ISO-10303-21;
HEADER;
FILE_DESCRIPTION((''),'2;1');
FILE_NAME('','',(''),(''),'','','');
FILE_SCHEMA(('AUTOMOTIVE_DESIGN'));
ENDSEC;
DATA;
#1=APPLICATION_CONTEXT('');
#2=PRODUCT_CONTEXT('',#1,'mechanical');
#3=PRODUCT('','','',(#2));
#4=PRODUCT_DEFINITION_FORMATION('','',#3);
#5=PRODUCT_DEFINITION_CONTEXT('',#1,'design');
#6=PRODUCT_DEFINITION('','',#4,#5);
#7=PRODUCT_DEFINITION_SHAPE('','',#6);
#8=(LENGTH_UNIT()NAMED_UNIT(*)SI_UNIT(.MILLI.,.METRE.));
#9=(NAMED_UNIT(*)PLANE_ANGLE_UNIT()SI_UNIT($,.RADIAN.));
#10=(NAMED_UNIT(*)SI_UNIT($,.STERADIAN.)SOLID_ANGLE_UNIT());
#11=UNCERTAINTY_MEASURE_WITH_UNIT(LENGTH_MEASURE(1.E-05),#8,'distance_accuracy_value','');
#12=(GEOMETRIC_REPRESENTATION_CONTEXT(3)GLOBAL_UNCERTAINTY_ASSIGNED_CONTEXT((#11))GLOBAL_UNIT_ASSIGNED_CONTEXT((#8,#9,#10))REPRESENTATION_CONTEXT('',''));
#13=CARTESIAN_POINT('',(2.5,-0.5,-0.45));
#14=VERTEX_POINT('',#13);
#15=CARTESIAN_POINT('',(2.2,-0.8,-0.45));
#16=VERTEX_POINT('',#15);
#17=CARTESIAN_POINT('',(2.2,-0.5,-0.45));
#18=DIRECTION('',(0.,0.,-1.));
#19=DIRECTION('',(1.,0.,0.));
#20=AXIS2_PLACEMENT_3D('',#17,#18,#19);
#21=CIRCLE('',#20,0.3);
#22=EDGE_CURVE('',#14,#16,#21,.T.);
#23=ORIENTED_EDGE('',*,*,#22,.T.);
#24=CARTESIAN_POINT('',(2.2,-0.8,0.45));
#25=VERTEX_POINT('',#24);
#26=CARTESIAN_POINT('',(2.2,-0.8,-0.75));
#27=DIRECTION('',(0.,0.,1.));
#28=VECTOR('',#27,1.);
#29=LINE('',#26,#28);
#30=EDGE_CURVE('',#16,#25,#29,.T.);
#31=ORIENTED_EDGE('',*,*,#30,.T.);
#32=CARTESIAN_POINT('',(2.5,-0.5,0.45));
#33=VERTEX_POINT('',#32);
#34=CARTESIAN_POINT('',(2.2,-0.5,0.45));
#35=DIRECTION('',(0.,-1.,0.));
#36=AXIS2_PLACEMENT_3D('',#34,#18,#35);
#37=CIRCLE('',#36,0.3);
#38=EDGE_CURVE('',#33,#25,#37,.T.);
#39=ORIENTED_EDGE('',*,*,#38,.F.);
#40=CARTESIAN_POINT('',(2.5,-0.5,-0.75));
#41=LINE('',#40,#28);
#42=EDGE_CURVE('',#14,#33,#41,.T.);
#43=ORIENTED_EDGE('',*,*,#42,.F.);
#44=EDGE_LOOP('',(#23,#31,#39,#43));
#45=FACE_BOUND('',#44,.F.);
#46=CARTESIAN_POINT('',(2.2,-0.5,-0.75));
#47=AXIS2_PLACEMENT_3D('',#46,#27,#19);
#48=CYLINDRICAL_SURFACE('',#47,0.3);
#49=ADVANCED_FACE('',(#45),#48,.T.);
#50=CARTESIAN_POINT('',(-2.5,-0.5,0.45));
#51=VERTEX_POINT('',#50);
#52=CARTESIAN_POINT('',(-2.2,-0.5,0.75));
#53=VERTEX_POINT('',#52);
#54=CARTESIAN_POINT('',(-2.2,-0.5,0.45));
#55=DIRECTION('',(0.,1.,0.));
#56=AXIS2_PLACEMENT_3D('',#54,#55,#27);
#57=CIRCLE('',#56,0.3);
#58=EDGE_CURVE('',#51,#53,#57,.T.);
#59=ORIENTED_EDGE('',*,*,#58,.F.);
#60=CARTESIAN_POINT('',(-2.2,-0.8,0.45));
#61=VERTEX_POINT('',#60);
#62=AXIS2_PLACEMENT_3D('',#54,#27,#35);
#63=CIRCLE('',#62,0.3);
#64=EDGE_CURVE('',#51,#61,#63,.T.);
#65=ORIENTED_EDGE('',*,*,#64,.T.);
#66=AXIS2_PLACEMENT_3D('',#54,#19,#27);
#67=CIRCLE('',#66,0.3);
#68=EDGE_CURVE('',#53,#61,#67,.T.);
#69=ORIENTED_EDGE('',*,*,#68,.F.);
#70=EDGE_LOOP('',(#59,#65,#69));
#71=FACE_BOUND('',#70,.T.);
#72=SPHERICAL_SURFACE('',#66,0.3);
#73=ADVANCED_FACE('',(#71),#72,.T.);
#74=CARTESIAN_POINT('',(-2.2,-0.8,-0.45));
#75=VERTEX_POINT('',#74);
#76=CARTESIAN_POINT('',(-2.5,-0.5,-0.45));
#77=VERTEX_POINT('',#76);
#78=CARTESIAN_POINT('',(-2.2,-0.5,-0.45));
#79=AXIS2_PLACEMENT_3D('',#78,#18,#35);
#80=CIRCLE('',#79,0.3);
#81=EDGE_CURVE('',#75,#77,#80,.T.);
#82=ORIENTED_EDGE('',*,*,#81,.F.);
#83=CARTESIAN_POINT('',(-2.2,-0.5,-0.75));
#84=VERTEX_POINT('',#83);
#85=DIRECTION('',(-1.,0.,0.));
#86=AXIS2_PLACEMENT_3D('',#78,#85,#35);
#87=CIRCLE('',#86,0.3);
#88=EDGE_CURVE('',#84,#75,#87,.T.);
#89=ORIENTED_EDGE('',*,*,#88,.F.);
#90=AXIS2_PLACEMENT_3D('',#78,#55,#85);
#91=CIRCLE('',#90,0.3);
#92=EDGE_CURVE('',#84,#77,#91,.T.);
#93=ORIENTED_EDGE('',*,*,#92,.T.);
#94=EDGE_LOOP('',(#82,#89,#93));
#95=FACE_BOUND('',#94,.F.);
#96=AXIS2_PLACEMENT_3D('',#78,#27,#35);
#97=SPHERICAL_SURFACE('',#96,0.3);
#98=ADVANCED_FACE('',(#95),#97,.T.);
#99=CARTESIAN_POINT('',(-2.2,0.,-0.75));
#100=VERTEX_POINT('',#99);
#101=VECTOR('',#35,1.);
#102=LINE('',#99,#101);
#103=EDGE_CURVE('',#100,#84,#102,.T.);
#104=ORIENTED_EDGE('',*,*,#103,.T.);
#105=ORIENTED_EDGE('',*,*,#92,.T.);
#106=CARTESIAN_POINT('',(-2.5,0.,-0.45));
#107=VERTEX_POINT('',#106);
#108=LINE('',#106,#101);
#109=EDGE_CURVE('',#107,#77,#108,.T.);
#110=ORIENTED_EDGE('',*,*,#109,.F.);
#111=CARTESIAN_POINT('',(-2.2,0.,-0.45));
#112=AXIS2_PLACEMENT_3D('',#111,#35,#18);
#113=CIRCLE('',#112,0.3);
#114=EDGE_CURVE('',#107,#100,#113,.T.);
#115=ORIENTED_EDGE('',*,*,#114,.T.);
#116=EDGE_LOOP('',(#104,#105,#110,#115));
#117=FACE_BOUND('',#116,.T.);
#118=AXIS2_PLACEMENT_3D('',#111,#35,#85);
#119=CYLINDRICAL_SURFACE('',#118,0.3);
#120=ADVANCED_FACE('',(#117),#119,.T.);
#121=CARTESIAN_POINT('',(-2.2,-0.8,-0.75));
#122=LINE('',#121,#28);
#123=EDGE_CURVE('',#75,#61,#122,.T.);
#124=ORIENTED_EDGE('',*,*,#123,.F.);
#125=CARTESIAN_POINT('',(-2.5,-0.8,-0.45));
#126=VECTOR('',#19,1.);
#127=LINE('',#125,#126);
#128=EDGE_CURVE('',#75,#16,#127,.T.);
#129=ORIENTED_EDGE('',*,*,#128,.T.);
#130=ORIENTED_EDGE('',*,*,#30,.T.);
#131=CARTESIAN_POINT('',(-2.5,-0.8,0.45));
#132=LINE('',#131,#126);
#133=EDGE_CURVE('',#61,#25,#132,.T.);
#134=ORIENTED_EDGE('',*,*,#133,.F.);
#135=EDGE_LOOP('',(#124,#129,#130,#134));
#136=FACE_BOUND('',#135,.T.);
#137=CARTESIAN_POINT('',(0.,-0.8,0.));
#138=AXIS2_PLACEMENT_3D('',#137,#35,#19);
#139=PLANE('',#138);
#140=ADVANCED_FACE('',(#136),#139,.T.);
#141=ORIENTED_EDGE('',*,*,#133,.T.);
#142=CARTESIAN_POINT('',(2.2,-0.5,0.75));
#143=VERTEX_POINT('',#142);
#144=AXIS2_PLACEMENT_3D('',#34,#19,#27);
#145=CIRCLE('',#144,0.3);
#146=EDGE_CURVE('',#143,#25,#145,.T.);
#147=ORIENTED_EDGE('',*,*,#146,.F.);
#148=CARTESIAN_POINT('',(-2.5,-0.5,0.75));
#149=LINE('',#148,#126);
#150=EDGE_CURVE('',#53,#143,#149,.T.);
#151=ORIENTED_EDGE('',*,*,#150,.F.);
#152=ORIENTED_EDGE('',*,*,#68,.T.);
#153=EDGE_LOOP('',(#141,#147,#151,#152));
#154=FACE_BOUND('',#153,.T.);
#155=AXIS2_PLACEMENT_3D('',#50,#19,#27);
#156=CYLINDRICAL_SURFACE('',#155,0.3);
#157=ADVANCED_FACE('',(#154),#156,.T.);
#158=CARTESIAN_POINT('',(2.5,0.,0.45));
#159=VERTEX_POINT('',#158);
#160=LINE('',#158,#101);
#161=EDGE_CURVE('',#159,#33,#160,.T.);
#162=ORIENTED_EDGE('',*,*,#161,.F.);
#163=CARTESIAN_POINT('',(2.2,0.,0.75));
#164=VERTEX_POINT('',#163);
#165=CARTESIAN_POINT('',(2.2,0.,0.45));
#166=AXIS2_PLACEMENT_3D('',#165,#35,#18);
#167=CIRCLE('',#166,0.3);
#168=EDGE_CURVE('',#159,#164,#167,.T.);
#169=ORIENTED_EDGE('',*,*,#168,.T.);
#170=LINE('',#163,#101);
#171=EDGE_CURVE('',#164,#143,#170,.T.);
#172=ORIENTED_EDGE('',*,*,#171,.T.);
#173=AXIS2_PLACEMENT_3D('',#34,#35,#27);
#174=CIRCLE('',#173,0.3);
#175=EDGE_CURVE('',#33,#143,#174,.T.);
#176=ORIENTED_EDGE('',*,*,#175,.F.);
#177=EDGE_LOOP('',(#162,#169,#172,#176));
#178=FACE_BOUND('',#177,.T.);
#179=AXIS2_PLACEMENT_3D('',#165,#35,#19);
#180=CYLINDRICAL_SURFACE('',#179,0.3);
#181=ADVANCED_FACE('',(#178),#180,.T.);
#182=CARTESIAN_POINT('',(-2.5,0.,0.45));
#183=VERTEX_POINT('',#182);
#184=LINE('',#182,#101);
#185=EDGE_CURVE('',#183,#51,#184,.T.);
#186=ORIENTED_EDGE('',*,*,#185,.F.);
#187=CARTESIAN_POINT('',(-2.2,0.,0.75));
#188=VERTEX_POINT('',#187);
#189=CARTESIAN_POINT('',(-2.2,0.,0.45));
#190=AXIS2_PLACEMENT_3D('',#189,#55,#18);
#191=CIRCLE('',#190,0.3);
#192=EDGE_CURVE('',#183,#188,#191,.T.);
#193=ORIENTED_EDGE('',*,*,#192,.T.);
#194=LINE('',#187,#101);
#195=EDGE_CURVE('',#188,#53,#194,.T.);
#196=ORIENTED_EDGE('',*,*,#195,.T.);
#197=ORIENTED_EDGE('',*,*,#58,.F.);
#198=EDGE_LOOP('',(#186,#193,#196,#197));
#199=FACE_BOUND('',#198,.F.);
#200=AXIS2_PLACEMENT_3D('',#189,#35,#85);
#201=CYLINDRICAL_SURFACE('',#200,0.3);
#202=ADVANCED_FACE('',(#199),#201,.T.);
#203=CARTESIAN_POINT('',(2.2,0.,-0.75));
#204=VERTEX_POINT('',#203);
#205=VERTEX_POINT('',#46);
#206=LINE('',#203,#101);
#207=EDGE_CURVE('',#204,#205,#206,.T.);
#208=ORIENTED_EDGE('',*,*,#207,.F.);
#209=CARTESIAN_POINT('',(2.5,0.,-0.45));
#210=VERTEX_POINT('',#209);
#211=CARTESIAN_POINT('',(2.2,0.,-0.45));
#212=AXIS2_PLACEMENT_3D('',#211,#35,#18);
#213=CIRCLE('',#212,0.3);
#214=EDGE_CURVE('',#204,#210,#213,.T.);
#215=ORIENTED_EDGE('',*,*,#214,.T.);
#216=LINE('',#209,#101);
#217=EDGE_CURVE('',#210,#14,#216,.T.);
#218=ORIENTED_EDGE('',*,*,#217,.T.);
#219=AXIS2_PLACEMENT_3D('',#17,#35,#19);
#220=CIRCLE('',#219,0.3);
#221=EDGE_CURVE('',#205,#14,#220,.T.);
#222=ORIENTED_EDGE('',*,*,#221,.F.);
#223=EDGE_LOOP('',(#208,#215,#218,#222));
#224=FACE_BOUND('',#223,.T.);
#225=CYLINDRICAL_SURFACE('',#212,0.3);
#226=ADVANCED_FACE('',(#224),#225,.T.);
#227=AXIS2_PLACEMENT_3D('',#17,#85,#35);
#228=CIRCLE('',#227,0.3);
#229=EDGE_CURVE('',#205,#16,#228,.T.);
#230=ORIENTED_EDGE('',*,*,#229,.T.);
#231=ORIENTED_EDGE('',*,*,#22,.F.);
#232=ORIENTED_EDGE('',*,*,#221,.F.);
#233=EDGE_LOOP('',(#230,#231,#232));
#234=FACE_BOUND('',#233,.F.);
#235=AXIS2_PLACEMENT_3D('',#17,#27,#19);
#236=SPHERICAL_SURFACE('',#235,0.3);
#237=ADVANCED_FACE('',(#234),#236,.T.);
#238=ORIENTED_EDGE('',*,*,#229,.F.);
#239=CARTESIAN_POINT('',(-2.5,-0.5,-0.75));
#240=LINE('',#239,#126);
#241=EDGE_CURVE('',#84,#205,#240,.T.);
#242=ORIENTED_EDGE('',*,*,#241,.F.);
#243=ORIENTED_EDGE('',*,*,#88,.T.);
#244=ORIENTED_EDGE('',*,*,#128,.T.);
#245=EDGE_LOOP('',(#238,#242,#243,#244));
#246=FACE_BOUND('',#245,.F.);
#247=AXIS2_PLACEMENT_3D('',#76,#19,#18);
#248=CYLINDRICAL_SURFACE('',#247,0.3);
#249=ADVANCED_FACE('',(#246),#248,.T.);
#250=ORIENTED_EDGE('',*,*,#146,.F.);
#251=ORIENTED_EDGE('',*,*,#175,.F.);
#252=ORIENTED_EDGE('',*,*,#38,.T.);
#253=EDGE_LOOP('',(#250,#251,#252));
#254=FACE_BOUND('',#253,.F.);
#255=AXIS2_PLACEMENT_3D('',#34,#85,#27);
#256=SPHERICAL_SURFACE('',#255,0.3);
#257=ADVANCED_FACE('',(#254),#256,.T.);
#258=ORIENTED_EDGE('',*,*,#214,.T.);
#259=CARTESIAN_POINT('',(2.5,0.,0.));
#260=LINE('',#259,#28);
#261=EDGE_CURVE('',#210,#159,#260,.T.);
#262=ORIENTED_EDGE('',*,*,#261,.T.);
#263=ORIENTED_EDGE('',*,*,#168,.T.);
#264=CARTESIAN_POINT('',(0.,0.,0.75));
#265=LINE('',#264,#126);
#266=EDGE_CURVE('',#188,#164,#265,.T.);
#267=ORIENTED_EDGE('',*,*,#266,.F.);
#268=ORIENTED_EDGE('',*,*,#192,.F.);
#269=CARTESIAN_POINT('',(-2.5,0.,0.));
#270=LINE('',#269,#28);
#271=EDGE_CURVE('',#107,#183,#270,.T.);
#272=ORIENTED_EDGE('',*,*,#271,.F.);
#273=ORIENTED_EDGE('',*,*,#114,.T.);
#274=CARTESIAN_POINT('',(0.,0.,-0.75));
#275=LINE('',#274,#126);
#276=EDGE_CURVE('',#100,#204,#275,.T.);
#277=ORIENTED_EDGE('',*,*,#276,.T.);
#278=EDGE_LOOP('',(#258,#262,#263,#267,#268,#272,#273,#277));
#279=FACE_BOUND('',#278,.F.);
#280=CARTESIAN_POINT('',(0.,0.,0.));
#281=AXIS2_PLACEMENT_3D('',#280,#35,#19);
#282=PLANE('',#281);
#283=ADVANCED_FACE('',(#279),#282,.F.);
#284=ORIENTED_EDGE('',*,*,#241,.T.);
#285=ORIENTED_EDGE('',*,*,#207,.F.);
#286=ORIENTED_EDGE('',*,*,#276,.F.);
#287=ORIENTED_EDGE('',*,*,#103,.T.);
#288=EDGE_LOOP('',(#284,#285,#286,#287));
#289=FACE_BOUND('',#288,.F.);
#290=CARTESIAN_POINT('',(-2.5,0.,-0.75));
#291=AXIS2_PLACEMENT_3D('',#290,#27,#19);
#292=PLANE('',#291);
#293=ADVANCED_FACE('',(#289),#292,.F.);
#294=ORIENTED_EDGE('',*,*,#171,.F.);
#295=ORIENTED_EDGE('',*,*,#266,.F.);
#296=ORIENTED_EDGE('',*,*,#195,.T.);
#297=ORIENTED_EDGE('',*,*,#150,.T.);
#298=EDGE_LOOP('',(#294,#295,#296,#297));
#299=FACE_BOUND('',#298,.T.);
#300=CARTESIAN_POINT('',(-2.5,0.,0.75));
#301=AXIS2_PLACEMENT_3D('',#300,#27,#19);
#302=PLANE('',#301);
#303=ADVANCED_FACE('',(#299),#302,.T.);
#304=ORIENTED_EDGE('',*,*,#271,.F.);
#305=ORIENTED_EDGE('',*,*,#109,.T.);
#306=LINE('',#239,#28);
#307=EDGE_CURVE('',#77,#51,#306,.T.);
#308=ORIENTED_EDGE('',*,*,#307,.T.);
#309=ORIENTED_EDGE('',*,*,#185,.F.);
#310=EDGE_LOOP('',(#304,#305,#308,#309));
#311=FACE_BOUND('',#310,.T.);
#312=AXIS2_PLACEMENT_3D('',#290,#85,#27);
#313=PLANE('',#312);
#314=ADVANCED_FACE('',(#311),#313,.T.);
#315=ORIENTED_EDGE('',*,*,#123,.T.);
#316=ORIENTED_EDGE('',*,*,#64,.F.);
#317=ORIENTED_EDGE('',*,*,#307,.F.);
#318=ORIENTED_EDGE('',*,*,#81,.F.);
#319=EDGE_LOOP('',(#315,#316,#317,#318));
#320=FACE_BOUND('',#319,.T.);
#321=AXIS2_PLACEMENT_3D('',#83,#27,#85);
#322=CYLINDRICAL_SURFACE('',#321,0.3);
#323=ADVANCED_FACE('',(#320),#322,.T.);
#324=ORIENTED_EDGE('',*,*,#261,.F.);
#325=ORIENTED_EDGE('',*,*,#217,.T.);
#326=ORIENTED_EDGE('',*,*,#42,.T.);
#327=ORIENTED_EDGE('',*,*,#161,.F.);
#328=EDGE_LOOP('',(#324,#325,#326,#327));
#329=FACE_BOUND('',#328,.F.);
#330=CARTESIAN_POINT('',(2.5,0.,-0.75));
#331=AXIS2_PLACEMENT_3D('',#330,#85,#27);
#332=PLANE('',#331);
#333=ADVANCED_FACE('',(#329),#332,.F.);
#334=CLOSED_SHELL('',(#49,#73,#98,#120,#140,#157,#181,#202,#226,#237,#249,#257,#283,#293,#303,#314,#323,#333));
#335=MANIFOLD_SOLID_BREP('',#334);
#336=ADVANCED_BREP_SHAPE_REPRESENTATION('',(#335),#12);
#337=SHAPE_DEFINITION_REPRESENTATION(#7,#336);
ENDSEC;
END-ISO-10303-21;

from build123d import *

# Parameters (mm, degrees)
F0_W     = 5
F0_H     = 1.5
F1_DEPTH = 0.8
F2_R     = 0.3


with BuildPart() as f1:
    # F0 (on Front) → F1 (new body)
    with BuildSketch(Plane.XZ):
        Rectangle(F0_W, F0_H)
    extrude(amount=F1_DEPTH)

    # F2
    f2_edges = [f1.edges().sort_by_distance(p)[0] for p in [
        (0, -0.8, 0.75),
        (-2.5, -0.4, 0.75),
        (2.5, -0.4, 0.75),
        (-2.5, -0.8, 0),
        (2.5, -0.8, 0),
        (2.5, -0.4, -0.75),
        (0, -0.8, -0.75),
        (-2.5, -0.4, -0.75),
    ]]
    fillet(f2_edges, radius=F2_R)


solid = f1.part
